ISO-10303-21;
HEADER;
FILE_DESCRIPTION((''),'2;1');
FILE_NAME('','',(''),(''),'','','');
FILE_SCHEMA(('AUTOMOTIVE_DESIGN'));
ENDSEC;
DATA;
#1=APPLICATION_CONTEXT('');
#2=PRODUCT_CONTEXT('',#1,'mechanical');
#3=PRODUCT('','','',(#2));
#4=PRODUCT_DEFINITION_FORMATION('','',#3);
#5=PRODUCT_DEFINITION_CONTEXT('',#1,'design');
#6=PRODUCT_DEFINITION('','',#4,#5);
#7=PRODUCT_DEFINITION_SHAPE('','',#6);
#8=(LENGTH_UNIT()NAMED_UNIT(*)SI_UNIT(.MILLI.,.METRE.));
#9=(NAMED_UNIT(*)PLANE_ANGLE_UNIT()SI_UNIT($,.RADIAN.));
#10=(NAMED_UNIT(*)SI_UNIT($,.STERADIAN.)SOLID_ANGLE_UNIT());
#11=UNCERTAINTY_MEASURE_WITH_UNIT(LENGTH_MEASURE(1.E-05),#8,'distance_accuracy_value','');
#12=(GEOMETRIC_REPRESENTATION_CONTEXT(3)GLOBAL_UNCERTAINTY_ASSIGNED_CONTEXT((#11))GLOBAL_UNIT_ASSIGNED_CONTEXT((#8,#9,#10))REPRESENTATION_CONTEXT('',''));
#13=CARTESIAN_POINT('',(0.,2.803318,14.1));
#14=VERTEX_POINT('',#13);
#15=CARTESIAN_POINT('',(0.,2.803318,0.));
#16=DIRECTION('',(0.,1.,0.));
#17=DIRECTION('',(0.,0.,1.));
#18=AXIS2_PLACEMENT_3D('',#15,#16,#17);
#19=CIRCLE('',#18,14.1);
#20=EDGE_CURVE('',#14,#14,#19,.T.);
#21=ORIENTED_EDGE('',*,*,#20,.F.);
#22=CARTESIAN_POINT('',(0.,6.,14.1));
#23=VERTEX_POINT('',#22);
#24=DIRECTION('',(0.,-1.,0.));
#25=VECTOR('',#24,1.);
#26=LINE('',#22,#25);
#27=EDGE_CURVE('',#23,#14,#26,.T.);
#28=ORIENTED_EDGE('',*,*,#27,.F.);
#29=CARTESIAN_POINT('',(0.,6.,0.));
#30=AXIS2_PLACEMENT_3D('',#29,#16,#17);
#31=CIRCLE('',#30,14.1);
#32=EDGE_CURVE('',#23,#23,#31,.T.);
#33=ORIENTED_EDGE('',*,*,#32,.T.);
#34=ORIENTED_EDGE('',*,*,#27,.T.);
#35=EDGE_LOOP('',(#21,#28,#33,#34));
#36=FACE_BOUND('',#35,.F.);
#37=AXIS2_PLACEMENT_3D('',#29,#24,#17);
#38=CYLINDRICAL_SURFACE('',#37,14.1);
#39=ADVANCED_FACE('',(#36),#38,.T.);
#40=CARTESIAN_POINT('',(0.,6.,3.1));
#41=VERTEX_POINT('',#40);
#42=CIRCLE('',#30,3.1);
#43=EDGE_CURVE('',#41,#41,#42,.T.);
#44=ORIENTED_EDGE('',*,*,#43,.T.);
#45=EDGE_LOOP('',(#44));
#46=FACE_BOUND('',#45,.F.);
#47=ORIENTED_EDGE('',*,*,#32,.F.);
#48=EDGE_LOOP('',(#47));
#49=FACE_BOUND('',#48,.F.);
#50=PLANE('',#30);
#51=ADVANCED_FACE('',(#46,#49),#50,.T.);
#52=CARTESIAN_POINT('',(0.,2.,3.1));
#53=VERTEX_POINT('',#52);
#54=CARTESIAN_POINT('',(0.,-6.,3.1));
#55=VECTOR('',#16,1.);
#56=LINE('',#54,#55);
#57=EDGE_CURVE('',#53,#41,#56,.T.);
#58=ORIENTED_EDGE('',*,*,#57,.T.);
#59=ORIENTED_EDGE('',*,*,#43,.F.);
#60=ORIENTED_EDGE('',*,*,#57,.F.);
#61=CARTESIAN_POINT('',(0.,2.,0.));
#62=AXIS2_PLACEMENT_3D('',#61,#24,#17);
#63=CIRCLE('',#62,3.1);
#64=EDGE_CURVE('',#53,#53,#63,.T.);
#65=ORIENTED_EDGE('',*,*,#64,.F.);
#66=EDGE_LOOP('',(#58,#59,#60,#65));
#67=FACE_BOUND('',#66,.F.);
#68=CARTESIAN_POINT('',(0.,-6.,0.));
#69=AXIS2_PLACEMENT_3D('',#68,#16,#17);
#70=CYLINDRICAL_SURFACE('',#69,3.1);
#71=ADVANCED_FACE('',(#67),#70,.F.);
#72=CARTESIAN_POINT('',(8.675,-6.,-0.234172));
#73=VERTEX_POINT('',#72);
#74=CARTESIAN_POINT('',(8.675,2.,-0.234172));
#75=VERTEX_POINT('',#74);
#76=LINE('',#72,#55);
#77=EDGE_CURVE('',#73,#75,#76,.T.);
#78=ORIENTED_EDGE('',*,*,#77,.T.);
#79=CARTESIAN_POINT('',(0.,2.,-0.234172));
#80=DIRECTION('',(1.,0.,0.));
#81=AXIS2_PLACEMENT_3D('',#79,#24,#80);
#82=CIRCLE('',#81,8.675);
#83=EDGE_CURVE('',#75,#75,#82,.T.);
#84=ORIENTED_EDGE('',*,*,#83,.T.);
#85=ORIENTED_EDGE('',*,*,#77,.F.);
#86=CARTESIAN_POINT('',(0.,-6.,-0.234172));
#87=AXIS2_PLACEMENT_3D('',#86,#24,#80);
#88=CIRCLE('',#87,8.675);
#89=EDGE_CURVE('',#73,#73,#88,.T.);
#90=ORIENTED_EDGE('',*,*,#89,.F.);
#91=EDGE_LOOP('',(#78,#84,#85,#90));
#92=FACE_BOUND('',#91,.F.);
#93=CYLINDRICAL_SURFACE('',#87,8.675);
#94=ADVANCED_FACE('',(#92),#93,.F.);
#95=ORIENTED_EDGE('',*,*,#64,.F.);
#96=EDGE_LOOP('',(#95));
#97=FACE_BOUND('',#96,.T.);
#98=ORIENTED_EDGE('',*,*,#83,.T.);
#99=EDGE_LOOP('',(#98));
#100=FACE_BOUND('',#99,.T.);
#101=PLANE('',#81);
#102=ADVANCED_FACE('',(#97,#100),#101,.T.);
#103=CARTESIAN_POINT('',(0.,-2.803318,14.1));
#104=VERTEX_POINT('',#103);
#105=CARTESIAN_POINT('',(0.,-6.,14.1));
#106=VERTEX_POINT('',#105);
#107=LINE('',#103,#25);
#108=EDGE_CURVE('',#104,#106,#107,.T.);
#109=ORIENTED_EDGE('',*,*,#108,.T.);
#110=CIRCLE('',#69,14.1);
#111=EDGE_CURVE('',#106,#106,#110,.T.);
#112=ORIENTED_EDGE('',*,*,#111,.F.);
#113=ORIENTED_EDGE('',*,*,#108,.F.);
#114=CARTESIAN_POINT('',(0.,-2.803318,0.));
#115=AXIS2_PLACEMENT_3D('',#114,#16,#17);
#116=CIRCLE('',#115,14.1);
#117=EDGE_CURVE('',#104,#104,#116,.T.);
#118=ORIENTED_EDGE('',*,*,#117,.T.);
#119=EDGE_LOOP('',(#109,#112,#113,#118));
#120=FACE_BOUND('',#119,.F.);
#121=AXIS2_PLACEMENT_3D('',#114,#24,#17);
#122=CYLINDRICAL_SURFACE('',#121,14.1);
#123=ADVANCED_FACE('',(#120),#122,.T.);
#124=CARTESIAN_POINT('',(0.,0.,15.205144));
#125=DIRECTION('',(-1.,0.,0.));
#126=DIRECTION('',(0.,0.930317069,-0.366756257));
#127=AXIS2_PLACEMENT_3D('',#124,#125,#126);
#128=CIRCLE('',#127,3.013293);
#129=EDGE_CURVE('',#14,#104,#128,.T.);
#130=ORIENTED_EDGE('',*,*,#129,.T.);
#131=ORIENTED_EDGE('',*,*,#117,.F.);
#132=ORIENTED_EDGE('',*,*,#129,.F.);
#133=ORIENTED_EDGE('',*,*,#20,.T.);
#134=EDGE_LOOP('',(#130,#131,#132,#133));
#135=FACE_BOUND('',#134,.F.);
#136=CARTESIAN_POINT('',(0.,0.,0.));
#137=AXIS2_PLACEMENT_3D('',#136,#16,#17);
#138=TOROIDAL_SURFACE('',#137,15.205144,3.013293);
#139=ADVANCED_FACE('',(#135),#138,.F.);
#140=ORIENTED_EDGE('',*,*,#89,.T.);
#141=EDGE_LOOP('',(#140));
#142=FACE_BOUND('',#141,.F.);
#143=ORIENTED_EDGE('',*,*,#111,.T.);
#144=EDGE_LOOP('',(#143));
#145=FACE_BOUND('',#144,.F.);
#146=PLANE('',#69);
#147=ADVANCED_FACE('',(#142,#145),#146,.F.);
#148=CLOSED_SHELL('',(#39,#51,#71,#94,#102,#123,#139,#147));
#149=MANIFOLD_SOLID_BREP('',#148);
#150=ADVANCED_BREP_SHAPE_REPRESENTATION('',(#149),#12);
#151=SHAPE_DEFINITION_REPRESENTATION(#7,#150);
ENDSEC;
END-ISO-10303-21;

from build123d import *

# Parameters (mm, degrees)
F2_R     = 8.675
F2_R_2   = 3.1
F3_DEPTH = 8


with BuildPart() as f1:
    # F0 (on Right) → F1 (revolve)
    with BuildSketch(Plane.YZ):
        with BuildLine():
            Line((-6, 3.1), (0, 3.1))
            Line((0, 3.1), (6, 3.1))
            Line((6, 3.1), (6, 14.1))
            Line((6, 14.1), (2.803318, 14.1))
            ThreePointArc((2.803318, 14.1), (0, 12.191851), (-2.803318, 14.1))
            Line((-2.803318, 14.1), (-6, 14.1))
            Line((-6, 14.1), (-6, 3.1))
        make_face()
    revolve(axis=Axis((0, 0.144873, 0), (0, 1, 0)))

    # F2 (on face) → F3 (cut)
    with BuildSketch(Plane.XZ.offset(6)):
        with Locations((0, -0.234172)):
            Circle(F2_R)
        Circle(F2_R_2, mode=Mode.SUBTRACT)
    extrude(amount=-F3_DEPTH, mode=Mode.SUBTRACT)


solid = f1.part
